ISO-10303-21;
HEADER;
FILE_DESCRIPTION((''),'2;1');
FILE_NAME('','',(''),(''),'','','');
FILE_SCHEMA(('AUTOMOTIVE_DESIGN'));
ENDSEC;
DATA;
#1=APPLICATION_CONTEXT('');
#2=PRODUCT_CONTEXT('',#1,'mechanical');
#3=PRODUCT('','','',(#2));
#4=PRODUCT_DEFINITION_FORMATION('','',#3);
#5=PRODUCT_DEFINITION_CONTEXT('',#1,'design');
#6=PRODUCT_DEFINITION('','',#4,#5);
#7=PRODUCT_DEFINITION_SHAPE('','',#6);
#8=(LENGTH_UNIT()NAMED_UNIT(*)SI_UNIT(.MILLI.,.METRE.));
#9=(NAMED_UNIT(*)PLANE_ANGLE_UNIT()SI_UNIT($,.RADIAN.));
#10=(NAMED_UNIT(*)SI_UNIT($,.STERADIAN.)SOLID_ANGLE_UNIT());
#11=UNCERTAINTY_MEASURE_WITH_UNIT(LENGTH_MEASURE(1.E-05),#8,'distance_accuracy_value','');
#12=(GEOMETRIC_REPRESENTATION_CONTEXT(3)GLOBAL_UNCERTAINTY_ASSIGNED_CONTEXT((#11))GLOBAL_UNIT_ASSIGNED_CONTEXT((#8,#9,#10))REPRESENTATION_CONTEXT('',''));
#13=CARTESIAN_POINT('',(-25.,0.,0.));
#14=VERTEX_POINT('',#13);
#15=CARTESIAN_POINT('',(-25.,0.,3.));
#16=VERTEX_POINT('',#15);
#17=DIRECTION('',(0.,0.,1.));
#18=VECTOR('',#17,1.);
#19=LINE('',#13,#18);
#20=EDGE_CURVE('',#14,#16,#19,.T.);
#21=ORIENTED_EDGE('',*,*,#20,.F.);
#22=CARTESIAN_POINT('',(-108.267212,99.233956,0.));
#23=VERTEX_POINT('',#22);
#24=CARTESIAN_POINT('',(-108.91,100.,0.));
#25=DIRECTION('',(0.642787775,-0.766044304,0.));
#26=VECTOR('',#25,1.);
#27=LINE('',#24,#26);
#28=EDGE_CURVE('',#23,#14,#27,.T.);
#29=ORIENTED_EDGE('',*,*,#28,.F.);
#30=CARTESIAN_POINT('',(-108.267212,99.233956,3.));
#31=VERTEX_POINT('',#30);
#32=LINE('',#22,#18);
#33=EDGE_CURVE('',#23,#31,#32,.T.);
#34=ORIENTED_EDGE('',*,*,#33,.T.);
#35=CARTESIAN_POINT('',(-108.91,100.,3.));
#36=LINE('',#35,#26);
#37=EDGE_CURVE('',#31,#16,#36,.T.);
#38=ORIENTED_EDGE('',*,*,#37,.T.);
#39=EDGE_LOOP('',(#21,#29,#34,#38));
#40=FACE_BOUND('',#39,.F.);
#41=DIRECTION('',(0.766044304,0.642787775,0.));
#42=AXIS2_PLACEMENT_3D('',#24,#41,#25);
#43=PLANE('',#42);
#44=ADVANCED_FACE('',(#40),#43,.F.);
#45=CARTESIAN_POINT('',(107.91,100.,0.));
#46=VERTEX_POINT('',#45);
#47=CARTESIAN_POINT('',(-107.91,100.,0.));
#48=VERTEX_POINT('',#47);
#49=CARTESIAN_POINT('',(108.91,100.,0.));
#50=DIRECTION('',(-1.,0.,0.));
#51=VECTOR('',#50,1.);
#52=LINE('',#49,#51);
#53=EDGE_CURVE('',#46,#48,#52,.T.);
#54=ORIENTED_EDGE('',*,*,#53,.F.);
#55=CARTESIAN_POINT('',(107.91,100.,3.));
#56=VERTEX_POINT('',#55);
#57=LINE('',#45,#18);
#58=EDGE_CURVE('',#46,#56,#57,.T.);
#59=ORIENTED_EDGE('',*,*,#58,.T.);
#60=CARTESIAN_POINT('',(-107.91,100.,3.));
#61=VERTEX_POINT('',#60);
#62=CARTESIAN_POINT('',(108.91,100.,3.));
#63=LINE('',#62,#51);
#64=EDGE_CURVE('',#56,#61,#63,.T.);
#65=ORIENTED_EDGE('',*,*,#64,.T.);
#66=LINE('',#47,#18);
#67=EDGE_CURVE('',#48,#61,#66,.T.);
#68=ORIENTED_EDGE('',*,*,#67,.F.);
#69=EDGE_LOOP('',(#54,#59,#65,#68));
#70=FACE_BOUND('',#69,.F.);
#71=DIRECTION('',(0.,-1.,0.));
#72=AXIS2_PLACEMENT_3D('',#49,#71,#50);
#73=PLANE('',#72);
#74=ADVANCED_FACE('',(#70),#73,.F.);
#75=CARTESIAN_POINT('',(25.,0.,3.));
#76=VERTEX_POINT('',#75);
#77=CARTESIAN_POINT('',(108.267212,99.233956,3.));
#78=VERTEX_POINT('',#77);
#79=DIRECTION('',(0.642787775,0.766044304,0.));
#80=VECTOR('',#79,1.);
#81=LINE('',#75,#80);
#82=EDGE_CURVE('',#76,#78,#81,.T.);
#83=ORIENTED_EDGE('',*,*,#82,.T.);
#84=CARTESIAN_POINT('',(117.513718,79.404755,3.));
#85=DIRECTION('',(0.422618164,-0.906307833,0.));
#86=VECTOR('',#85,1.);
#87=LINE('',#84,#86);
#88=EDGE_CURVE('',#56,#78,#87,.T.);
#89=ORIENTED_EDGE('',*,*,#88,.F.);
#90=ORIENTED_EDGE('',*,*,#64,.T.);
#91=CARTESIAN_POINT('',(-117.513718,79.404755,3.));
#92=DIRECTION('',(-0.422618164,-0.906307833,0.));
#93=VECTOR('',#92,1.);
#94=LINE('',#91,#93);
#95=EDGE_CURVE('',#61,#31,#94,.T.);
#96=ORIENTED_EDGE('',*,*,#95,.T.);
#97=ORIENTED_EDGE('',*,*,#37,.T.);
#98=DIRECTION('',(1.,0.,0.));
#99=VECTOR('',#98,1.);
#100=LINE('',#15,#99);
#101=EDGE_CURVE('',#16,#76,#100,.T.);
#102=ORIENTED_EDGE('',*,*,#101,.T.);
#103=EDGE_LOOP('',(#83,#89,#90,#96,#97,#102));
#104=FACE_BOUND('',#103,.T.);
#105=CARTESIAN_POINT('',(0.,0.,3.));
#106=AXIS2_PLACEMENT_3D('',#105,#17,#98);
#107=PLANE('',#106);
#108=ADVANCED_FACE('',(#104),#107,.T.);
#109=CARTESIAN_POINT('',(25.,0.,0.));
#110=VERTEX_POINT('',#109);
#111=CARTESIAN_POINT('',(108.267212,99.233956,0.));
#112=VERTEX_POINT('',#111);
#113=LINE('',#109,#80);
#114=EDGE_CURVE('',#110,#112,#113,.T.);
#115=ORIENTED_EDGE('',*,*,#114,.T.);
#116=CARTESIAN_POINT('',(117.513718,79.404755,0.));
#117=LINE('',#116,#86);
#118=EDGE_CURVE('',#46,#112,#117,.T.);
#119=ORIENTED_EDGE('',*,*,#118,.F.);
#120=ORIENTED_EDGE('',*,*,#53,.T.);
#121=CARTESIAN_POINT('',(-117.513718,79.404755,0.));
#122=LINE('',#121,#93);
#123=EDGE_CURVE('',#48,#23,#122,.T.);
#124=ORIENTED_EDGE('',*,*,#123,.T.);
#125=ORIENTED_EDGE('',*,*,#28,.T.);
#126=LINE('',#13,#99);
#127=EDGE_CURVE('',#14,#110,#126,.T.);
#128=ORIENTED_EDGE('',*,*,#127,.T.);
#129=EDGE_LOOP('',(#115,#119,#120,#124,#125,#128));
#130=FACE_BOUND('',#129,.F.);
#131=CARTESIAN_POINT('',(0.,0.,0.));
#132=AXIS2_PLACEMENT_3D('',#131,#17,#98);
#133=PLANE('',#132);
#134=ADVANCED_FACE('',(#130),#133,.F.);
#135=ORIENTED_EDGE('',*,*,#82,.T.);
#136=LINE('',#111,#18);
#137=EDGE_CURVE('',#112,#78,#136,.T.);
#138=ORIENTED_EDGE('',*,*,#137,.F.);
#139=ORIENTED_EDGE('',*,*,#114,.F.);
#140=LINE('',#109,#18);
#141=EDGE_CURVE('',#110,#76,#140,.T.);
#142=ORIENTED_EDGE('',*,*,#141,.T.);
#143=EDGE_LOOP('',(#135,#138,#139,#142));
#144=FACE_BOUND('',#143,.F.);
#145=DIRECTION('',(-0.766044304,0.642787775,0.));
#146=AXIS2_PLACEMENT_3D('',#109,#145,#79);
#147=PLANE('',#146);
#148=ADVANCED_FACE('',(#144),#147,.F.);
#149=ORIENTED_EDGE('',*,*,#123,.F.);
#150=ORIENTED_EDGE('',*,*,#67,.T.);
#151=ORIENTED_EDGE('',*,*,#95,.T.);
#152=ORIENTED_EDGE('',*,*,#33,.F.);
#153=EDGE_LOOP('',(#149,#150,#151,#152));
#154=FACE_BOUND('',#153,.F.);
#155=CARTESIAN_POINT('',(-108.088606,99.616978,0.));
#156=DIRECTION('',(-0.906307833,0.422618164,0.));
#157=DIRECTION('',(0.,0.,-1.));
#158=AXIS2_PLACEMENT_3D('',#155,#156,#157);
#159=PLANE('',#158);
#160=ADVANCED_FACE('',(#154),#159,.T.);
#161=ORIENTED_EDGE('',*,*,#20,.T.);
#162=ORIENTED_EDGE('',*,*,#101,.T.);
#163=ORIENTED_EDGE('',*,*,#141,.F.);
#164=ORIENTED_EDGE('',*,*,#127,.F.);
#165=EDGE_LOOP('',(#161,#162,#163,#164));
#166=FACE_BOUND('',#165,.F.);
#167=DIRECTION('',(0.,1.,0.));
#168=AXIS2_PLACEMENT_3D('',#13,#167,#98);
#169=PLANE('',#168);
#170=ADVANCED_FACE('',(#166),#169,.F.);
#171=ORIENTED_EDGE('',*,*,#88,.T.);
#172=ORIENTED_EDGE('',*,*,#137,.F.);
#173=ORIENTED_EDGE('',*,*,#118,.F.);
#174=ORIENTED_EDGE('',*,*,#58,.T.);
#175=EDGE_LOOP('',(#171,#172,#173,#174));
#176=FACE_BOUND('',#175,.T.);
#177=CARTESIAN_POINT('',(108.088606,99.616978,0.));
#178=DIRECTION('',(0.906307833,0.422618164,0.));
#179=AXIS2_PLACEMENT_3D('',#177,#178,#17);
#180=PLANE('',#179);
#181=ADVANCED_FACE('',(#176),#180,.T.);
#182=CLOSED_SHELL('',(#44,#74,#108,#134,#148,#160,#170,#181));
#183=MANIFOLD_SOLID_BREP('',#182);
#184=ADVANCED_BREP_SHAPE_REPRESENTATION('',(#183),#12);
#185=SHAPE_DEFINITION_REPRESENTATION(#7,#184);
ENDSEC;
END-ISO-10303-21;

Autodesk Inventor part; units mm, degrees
ref_plane "YZ Plane" through (0, 0, 0) normal (1, 0, 0) x (0, 1, 0)
ref_plane "XZ Plane" through (0, 0, 0) normal (0, 1, 0) x (-1, 0, 0)
ref_plane "XY Plane" through (0, 0, 0) normal (0, 0, 1) x (1, 0, 0)
sketch "Sketch1" plane through (0, 0, 0) normal (0, 0, 1) x (1, 0, 0)
  line L0 (-108.91, 100) -> (-25, 0)
  line L1 (-25, 0) -> (25, 0)
  line L2 (25, 0) -> (108.91, 100)
  line L3 (108.91, 100) -> (-108.91, 100)
  point P0 (0, 0)
  point P1 (0, 0)
  point P2 (0, 100)
  dimension "BendRadius" = 3
  dimension "d0" = 100
  dimension "d1" = 50
  dimension "d2" = 217.8199
  dimension "d4" = 130
extrude "Plate1" add sketch "Sketch1" along normal blind 3
chamfer "Chamfer1" distance 1 angle 45 2 edges at (-108.91, 100, 1.5) (108.91, 100, 1.5)
equation "\"BendRadius\" = Thickness"
equation "\"d0\" = Лоток_высота"
equation "\"d1\" = Лоток_ширина_низ"
equation "\"d4\" = Лоток_угол"
equation "\"d3\" = Thickness"
equation "\"BendReliefWidth\" = Thickness"
equation "\"BendReliefDepth\" = 0.5 * Thickness"
equation "\"CornerReliefSize\" = 4 * Thickness"
equation "\"MinimumRemnant\" = 2 * Thickness"
equation "\"TransitionRadius\" = BendRadius"
equation "\"JacobiRadiusSize\" = BendRadius"
equation "\"GapSize\" = Thickness"
equation "\"Thickness\" = 3"
equation "\"Лоток_высота\" = 100"
equation "\"Лоток_ширина_низ\" = 50"
equation "\"Лоток_угол\" = 130deg"
properties part number "ДМС 304 торец лотка кормовой"
